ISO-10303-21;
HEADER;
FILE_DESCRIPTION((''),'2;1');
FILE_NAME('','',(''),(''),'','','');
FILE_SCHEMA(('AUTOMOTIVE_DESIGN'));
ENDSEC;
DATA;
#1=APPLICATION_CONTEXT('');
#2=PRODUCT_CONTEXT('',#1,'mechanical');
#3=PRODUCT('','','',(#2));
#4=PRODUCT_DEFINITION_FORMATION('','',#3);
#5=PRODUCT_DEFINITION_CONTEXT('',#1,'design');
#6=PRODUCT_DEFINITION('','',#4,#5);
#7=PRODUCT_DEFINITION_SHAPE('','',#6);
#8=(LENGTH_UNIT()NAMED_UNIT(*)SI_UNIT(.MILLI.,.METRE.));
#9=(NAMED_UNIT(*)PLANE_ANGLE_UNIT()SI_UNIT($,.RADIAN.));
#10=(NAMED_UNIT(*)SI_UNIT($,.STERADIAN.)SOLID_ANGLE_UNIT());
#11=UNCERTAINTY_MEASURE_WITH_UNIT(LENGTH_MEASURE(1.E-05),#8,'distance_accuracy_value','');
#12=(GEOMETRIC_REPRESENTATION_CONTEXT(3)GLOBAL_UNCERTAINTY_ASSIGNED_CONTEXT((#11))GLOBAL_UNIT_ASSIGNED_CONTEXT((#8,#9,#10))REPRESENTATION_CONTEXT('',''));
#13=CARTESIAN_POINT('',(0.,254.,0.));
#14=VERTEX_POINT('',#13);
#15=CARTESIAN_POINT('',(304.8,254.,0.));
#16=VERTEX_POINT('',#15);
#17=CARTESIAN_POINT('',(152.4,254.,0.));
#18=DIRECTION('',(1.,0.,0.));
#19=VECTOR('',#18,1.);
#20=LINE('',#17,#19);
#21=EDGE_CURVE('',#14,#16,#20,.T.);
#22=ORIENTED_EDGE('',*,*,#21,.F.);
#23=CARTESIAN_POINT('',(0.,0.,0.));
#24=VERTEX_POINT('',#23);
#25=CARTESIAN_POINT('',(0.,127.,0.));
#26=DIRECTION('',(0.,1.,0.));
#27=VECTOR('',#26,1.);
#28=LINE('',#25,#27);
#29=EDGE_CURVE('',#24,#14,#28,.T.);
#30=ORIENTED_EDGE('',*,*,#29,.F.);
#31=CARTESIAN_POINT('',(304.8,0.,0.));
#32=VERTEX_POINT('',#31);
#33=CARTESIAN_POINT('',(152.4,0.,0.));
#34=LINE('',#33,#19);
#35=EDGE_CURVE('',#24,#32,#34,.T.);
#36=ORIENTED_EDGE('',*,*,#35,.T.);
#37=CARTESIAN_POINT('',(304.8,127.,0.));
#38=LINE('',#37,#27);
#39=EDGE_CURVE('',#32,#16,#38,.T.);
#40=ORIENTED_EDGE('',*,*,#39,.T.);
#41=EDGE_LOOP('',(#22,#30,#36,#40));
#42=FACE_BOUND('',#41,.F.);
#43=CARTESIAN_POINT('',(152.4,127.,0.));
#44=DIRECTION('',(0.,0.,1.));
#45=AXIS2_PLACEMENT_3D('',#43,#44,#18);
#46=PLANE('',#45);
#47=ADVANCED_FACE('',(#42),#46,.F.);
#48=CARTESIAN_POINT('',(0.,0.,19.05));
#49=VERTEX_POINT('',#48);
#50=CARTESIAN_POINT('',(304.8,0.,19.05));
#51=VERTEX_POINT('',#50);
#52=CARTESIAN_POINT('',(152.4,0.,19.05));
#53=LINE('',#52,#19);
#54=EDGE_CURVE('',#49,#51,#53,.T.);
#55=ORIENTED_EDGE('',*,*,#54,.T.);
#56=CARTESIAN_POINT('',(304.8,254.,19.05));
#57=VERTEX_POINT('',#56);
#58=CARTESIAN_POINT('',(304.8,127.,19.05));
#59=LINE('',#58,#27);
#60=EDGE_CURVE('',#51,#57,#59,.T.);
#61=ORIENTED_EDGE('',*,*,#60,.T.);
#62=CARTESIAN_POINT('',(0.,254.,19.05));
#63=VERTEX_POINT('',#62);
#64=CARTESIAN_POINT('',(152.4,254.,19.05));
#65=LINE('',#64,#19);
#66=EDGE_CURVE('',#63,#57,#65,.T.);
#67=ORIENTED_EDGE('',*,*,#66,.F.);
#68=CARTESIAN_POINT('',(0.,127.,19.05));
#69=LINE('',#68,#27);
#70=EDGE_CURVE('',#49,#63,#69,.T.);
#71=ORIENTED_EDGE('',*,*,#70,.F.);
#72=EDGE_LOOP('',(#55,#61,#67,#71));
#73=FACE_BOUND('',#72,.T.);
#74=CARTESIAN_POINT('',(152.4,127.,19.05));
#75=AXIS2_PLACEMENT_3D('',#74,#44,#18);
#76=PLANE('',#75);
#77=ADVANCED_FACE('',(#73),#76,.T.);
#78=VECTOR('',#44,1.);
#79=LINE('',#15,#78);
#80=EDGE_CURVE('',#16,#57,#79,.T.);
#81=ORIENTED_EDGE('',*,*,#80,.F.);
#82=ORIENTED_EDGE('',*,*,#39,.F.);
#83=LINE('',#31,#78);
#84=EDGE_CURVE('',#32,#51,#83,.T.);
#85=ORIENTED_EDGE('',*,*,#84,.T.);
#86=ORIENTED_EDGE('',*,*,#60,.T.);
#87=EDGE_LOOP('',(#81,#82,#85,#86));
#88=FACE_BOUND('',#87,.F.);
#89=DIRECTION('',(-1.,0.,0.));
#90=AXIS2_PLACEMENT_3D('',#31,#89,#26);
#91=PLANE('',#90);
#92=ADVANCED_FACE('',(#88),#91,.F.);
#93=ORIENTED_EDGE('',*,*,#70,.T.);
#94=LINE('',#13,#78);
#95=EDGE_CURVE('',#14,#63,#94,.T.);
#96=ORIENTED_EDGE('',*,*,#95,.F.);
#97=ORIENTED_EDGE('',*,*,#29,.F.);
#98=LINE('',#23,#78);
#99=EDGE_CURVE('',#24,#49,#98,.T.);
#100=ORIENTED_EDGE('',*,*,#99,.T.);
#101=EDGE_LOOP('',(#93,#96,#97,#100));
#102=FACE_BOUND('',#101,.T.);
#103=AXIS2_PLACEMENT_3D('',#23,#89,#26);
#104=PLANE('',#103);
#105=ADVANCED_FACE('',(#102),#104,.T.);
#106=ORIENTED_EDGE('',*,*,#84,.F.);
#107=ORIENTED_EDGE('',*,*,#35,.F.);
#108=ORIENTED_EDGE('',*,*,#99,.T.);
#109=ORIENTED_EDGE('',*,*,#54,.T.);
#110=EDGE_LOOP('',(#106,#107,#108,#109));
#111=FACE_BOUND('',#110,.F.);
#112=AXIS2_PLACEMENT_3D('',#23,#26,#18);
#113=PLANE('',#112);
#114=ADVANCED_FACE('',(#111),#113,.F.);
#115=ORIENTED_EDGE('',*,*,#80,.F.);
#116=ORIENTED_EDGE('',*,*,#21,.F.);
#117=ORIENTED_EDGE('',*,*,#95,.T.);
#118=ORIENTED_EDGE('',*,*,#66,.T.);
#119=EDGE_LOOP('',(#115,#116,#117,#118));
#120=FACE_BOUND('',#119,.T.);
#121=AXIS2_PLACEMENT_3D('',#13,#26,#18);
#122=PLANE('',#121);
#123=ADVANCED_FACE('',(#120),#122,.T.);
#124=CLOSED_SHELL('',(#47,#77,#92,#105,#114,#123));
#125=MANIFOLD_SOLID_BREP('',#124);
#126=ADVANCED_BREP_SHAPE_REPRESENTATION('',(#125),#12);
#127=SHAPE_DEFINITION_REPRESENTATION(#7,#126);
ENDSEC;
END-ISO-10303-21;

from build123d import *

# Parameters (mm, degrees)
BOX_W     = 304.8
BOX_H     = 254
BOX_DEPTH = 19.05


with BuildPart() as part:
    # Box → Box (new body)
    with BuildSketch(Plane.XY):
        with Locations((152.4, 127)):
            Rectangle(BOX_W, BOX_H)
    extrude(amount=BOX_DEPTH)


solid = part.part
